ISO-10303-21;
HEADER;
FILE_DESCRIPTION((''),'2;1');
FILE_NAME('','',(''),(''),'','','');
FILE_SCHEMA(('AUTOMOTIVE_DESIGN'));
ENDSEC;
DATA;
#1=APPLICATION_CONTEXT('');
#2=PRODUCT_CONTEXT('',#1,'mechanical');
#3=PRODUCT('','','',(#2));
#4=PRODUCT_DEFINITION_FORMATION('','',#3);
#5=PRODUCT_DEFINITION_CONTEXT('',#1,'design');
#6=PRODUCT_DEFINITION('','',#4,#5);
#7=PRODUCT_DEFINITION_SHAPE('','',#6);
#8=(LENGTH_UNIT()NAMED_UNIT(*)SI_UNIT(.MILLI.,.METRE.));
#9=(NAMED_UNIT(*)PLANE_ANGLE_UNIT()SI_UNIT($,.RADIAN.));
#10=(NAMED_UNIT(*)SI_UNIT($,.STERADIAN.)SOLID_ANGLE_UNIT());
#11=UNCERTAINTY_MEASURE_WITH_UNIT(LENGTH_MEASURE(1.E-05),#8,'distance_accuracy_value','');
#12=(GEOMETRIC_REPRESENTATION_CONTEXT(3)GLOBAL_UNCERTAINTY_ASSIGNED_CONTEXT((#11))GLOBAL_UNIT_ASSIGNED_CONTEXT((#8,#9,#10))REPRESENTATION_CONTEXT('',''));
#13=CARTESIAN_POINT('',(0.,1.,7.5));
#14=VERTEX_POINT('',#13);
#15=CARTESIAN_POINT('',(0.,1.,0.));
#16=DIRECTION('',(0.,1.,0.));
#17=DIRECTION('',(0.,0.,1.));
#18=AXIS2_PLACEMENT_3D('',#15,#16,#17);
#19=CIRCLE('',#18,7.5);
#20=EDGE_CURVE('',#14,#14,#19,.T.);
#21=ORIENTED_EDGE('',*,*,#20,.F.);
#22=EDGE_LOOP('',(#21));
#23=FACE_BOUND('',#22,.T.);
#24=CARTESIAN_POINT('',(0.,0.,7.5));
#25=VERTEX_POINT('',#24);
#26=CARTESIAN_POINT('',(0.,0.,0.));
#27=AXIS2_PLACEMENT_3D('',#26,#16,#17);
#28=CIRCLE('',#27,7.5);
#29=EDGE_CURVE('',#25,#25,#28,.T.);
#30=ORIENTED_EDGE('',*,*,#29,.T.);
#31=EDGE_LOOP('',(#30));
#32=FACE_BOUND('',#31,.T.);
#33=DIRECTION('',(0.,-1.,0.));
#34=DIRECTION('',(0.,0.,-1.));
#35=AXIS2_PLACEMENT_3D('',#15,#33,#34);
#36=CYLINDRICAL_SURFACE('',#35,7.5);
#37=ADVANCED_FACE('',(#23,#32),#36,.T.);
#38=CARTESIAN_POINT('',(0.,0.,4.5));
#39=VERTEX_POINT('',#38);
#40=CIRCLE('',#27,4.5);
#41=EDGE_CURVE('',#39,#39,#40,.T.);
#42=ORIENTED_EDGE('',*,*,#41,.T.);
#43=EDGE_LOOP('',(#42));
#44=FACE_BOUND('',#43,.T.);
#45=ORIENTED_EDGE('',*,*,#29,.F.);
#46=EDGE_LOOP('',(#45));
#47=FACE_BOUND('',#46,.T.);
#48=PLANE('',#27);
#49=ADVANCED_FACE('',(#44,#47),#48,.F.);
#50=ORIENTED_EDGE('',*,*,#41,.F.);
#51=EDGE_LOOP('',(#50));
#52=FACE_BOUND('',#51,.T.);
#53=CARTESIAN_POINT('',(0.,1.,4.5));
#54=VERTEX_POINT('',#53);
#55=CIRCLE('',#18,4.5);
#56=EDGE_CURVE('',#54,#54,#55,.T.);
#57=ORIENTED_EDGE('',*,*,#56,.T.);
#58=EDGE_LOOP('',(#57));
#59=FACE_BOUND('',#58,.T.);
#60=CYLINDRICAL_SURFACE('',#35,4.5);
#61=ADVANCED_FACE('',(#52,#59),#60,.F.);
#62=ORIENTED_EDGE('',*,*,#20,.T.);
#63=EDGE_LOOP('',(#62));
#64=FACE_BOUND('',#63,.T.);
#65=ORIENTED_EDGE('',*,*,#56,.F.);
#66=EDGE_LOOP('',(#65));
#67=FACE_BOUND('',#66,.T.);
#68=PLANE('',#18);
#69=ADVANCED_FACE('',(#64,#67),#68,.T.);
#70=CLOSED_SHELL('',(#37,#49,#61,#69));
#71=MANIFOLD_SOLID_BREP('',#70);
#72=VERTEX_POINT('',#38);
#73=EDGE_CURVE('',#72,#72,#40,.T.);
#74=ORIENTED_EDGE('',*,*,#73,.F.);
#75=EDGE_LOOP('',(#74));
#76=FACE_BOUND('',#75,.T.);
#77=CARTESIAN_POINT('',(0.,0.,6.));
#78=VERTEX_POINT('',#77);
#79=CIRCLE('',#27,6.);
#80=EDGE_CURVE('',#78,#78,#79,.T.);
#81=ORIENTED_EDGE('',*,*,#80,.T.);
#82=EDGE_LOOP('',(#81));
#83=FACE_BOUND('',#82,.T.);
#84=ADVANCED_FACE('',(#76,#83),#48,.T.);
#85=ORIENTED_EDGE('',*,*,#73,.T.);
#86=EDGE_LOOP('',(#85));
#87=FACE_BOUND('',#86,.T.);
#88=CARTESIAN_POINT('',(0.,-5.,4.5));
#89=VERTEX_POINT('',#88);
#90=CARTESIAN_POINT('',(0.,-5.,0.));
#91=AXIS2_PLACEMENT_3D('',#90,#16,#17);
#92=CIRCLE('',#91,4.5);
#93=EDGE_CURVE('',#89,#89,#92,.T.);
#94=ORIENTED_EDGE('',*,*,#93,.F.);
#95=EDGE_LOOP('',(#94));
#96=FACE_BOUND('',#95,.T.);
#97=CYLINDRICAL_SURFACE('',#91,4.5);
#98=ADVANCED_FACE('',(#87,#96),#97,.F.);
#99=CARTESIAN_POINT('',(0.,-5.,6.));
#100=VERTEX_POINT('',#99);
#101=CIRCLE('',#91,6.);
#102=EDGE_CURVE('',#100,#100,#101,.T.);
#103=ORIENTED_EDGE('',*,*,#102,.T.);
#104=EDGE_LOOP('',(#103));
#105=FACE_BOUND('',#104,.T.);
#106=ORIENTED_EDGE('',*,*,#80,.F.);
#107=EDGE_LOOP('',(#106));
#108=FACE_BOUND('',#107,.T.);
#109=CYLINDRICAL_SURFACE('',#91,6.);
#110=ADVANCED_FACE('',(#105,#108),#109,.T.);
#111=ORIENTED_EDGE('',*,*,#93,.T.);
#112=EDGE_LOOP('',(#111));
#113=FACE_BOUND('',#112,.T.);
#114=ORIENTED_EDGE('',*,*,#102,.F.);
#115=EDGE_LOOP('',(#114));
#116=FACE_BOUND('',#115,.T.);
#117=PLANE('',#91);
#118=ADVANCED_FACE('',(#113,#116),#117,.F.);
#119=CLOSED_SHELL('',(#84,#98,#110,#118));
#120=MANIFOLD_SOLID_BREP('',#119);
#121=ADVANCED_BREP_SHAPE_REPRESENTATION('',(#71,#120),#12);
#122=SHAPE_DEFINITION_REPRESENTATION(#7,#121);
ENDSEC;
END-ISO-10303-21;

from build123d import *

# Parameters (mm, degrees)
SKETCH1_R           = 7.5
SKETCH1_R_2         = 4.5
BOSS_EXTRUDE1_DEPTH = 1
SKETCH1_3_R         = 6
SKETCH1_3_R_2       = 4.5
BOSS_EXTRUDE2_DEPTH = 5


with BuildPart() as part:
    # Sketch1 → Boss-Extrude1 (new body)
    with BuildSketch(Plane(origin=(0, 0, 0), x_dir=(1, 0, 0), z_dir=(0, 1, 0))):
        Circle(SKETCH1_R)
        Circle(SKETCH1_R_2, mode=Mode.SUBTRACT)
    extrude(amount=BOSS_EXTRUDE1_DEPTH)


with BuildPart() as body_2:
    # Sketch1<3> → Boss-Extrude2 (new body)
    with BuildSketch(Plane(origin=(0, 0, 0), x_dir=(1, 0, 0), z_dir=(0, 1, 0))):
        Circle(SKETCH1_3_R)
        Circle(SKETCH1_3_R_2, mode=Mode.SUBTRACT)
    extrude(amount=-BOSS_EXTRUDE2_DEPTH)


solid = Compound([part.part, body_2.part])
